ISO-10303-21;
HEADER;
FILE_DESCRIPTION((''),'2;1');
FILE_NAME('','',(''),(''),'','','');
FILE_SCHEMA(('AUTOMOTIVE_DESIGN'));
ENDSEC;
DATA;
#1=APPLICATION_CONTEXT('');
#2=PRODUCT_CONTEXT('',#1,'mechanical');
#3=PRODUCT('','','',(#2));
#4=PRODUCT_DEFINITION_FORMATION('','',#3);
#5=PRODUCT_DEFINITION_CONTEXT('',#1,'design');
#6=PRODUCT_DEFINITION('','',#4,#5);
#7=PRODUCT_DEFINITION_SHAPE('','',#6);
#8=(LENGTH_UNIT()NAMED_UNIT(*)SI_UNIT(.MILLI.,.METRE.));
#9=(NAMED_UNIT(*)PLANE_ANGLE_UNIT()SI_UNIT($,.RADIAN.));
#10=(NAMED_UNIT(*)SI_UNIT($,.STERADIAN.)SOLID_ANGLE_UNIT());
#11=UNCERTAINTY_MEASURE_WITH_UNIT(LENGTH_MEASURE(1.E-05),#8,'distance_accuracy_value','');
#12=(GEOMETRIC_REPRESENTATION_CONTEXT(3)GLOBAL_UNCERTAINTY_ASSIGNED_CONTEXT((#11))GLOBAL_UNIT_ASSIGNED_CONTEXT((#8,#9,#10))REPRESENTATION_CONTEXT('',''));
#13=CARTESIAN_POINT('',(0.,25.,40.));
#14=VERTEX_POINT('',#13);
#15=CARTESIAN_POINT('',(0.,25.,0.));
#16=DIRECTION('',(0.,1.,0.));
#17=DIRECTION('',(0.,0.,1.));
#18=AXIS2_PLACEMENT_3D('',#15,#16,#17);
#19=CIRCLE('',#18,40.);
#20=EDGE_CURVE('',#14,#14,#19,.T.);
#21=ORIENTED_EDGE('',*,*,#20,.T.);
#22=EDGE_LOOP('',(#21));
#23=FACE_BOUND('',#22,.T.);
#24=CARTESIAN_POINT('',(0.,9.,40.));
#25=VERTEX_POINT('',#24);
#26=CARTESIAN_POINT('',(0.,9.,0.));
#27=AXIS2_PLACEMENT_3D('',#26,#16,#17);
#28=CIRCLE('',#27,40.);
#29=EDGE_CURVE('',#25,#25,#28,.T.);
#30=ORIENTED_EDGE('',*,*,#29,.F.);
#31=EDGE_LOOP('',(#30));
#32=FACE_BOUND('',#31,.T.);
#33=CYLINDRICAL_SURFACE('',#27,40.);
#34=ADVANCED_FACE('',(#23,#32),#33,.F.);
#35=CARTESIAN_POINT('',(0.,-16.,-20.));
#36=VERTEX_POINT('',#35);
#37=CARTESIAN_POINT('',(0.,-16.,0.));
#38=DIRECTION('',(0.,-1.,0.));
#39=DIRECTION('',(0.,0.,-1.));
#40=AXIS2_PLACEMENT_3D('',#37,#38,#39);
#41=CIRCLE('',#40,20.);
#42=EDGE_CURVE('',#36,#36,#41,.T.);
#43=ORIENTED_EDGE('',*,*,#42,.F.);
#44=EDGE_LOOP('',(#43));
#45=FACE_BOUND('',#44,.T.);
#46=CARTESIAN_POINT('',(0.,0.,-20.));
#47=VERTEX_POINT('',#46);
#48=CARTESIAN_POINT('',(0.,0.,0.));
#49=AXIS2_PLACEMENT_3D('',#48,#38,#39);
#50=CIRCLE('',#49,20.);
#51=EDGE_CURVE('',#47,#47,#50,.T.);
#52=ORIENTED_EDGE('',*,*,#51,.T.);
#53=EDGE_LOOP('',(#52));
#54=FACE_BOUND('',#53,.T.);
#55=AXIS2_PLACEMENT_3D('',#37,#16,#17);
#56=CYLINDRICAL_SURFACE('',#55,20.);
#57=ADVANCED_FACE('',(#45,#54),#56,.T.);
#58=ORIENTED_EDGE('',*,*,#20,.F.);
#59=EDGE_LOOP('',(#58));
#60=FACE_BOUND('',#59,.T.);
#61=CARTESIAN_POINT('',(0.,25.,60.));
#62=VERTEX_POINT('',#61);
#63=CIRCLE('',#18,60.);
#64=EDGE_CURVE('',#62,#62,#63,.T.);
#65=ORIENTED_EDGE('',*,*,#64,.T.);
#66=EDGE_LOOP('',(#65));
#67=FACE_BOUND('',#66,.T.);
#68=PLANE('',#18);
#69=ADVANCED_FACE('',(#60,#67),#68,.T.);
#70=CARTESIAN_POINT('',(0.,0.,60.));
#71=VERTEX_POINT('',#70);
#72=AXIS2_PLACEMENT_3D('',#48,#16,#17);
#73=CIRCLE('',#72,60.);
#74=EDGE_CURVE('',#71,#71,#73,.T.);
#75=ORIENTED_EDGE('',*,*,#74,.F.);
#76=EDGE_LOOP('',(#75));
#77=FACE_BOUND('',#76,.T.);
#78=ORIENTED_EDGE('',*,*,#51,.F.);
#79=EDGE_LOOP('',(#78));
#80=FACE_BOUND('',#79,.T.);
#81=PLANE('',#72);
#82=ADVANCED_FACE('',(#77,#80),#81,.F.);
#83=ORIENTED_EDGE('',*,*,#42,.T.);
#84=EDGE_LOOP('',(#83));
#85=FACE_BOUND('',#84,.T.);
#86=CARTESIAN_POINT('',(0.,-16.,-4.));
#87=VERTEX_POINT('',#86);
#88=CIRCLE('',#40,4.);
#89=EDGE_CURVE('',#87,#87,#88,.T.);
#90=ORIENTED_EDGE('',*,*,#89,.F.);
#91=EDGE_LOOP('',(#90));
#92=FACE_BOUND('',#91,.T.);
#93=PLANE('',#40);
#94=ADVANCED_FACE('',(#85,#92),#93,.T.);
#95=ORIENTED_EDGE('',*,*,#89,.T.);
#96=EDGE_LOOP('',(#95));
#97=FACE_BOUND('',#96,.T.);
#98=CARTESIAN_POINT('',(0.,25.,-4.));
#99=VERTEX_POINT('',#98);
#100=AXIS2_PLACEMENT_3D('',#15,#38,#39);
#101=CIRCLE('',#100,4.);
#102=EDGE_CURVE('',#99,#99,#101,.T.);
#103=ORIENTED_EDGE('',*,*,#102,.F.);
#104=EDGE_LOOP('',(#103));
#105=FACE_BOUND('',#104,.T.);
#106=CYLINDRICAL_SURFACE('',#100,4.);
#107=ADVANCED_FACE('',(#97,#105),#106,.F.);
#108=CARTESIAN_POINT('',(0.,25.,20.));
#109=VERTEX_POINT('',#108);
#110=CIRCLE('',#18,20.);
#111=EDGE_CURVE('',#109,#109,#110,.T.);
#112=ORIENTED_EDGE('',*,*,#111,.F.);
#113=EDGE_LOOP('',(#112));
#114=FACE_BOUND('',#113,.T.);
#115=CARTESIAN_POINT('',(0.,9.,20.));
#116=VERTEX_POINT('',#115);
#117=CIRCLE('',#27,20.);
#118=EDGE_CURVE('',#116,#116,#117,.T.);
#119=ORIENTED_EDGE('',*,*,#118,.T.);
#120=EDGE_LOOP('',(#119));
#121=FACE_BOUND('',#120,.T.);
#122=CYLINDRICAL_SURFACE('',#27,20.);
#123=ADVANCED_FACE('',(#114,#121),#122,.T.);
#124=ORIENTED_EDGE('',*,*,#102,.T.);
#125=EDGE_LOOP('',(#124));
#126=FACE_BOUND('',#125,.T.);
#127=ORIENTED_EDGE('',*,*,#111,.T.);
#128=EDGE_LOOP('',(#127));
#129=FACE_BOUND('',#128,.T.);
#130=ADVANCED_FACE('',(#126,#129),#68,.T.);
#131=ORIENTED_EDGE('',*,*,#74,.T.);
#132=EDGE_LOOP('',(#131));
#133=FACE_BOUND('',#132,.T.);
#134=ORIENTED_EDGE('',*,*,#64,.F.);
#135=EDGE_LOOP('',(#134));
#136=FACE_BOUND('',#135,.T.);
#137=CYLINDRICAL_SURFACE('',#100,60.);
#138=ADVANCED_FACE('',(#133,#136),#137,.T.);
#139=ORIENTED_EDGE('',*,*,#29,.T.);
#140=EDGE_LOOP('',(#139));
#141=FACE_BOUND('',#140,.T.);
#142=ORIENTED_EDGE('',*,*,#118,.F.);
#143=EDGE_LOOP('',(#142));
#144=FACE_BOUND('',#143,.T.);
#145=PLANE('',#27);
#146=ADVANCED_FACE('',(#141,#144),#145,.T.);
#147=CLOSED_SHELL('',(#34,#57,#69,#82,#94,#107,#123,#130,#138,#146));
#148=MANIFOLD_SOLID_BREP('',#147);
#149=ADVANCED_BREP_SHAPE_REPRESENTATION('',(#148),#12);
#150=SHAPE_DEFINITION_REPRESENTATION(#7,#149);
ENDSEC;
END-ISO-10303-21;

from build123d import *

# Parameters (mm, degrees)
SKETCH1_R           = 60
BOSS_EXTRUDE1_DEPTH = 25
SKETCH2_R           = 40
SKETCH2_R_2         = 20
CUT_EXTRUDE1_DEPTH  = 16
SKETCH3_R           = 20
BOSS_EXTRUDE2_DEPTH = 16
SKETCH4_R           = 4
CUT_EXTRUDE2_DEPTH  = 41


with BuildPart() as part:
    # Sketch1 → Boss-Extrude1 (new body)
    with BuildSketch(Plane(origin=(0, 0, 0), x_dir=(1, 0, 0), z_dir=(0, 1, 0))):
        with Locations(Location((0, 0, 0), (0, 0, 270))):
            Circle(SKETCH1_R)
    extrude(amount=BOSS_EXTRUDE1_DEPTH)

    # Sketch2 → Cut-Extrude1 (cut)
    with BuildSketch(Plane(origin=(0, 25, 0), x_dir=(1, 0, 0), z_dir=(0, 1, 0))):
        with Locations(Location((0, 0, 0), (0, 0, 270))):
            Circle(SKETCH2_R)
        with Locations(Location((0, 0, 0), (0, 0, 270))):
            Circle(SKETCH2_R_2, mode=Mode.SUBTRACT)
    extrude(amount=-CUT_EXTRUDE1_DEPTH, mode=Mode.SUBTRACT)

    # Sketch3 → Boss-Extrude2 (add)
    with BuildSketch(Plane.XZ):
        with Locations(Location((0, 0, 0), (0, 0, 90))):
            Circle(SKETCH3_R)
    extrude(amount=BOSS_EXTRUDE2_DEPTH)

    # Sketch4 → Cut-Extrude2 (cut)
    with BuildSketch(Plane.XZ.offset(16)):
        with Locations(Location((0, 0, 0), (0, 0, 270))):
            Circle(SKETCH4_R)
    extrude(amount=-CUT_EXTRUDE2_DEPTH, mode=Mode.SUBTRACT)


solid = part.part
